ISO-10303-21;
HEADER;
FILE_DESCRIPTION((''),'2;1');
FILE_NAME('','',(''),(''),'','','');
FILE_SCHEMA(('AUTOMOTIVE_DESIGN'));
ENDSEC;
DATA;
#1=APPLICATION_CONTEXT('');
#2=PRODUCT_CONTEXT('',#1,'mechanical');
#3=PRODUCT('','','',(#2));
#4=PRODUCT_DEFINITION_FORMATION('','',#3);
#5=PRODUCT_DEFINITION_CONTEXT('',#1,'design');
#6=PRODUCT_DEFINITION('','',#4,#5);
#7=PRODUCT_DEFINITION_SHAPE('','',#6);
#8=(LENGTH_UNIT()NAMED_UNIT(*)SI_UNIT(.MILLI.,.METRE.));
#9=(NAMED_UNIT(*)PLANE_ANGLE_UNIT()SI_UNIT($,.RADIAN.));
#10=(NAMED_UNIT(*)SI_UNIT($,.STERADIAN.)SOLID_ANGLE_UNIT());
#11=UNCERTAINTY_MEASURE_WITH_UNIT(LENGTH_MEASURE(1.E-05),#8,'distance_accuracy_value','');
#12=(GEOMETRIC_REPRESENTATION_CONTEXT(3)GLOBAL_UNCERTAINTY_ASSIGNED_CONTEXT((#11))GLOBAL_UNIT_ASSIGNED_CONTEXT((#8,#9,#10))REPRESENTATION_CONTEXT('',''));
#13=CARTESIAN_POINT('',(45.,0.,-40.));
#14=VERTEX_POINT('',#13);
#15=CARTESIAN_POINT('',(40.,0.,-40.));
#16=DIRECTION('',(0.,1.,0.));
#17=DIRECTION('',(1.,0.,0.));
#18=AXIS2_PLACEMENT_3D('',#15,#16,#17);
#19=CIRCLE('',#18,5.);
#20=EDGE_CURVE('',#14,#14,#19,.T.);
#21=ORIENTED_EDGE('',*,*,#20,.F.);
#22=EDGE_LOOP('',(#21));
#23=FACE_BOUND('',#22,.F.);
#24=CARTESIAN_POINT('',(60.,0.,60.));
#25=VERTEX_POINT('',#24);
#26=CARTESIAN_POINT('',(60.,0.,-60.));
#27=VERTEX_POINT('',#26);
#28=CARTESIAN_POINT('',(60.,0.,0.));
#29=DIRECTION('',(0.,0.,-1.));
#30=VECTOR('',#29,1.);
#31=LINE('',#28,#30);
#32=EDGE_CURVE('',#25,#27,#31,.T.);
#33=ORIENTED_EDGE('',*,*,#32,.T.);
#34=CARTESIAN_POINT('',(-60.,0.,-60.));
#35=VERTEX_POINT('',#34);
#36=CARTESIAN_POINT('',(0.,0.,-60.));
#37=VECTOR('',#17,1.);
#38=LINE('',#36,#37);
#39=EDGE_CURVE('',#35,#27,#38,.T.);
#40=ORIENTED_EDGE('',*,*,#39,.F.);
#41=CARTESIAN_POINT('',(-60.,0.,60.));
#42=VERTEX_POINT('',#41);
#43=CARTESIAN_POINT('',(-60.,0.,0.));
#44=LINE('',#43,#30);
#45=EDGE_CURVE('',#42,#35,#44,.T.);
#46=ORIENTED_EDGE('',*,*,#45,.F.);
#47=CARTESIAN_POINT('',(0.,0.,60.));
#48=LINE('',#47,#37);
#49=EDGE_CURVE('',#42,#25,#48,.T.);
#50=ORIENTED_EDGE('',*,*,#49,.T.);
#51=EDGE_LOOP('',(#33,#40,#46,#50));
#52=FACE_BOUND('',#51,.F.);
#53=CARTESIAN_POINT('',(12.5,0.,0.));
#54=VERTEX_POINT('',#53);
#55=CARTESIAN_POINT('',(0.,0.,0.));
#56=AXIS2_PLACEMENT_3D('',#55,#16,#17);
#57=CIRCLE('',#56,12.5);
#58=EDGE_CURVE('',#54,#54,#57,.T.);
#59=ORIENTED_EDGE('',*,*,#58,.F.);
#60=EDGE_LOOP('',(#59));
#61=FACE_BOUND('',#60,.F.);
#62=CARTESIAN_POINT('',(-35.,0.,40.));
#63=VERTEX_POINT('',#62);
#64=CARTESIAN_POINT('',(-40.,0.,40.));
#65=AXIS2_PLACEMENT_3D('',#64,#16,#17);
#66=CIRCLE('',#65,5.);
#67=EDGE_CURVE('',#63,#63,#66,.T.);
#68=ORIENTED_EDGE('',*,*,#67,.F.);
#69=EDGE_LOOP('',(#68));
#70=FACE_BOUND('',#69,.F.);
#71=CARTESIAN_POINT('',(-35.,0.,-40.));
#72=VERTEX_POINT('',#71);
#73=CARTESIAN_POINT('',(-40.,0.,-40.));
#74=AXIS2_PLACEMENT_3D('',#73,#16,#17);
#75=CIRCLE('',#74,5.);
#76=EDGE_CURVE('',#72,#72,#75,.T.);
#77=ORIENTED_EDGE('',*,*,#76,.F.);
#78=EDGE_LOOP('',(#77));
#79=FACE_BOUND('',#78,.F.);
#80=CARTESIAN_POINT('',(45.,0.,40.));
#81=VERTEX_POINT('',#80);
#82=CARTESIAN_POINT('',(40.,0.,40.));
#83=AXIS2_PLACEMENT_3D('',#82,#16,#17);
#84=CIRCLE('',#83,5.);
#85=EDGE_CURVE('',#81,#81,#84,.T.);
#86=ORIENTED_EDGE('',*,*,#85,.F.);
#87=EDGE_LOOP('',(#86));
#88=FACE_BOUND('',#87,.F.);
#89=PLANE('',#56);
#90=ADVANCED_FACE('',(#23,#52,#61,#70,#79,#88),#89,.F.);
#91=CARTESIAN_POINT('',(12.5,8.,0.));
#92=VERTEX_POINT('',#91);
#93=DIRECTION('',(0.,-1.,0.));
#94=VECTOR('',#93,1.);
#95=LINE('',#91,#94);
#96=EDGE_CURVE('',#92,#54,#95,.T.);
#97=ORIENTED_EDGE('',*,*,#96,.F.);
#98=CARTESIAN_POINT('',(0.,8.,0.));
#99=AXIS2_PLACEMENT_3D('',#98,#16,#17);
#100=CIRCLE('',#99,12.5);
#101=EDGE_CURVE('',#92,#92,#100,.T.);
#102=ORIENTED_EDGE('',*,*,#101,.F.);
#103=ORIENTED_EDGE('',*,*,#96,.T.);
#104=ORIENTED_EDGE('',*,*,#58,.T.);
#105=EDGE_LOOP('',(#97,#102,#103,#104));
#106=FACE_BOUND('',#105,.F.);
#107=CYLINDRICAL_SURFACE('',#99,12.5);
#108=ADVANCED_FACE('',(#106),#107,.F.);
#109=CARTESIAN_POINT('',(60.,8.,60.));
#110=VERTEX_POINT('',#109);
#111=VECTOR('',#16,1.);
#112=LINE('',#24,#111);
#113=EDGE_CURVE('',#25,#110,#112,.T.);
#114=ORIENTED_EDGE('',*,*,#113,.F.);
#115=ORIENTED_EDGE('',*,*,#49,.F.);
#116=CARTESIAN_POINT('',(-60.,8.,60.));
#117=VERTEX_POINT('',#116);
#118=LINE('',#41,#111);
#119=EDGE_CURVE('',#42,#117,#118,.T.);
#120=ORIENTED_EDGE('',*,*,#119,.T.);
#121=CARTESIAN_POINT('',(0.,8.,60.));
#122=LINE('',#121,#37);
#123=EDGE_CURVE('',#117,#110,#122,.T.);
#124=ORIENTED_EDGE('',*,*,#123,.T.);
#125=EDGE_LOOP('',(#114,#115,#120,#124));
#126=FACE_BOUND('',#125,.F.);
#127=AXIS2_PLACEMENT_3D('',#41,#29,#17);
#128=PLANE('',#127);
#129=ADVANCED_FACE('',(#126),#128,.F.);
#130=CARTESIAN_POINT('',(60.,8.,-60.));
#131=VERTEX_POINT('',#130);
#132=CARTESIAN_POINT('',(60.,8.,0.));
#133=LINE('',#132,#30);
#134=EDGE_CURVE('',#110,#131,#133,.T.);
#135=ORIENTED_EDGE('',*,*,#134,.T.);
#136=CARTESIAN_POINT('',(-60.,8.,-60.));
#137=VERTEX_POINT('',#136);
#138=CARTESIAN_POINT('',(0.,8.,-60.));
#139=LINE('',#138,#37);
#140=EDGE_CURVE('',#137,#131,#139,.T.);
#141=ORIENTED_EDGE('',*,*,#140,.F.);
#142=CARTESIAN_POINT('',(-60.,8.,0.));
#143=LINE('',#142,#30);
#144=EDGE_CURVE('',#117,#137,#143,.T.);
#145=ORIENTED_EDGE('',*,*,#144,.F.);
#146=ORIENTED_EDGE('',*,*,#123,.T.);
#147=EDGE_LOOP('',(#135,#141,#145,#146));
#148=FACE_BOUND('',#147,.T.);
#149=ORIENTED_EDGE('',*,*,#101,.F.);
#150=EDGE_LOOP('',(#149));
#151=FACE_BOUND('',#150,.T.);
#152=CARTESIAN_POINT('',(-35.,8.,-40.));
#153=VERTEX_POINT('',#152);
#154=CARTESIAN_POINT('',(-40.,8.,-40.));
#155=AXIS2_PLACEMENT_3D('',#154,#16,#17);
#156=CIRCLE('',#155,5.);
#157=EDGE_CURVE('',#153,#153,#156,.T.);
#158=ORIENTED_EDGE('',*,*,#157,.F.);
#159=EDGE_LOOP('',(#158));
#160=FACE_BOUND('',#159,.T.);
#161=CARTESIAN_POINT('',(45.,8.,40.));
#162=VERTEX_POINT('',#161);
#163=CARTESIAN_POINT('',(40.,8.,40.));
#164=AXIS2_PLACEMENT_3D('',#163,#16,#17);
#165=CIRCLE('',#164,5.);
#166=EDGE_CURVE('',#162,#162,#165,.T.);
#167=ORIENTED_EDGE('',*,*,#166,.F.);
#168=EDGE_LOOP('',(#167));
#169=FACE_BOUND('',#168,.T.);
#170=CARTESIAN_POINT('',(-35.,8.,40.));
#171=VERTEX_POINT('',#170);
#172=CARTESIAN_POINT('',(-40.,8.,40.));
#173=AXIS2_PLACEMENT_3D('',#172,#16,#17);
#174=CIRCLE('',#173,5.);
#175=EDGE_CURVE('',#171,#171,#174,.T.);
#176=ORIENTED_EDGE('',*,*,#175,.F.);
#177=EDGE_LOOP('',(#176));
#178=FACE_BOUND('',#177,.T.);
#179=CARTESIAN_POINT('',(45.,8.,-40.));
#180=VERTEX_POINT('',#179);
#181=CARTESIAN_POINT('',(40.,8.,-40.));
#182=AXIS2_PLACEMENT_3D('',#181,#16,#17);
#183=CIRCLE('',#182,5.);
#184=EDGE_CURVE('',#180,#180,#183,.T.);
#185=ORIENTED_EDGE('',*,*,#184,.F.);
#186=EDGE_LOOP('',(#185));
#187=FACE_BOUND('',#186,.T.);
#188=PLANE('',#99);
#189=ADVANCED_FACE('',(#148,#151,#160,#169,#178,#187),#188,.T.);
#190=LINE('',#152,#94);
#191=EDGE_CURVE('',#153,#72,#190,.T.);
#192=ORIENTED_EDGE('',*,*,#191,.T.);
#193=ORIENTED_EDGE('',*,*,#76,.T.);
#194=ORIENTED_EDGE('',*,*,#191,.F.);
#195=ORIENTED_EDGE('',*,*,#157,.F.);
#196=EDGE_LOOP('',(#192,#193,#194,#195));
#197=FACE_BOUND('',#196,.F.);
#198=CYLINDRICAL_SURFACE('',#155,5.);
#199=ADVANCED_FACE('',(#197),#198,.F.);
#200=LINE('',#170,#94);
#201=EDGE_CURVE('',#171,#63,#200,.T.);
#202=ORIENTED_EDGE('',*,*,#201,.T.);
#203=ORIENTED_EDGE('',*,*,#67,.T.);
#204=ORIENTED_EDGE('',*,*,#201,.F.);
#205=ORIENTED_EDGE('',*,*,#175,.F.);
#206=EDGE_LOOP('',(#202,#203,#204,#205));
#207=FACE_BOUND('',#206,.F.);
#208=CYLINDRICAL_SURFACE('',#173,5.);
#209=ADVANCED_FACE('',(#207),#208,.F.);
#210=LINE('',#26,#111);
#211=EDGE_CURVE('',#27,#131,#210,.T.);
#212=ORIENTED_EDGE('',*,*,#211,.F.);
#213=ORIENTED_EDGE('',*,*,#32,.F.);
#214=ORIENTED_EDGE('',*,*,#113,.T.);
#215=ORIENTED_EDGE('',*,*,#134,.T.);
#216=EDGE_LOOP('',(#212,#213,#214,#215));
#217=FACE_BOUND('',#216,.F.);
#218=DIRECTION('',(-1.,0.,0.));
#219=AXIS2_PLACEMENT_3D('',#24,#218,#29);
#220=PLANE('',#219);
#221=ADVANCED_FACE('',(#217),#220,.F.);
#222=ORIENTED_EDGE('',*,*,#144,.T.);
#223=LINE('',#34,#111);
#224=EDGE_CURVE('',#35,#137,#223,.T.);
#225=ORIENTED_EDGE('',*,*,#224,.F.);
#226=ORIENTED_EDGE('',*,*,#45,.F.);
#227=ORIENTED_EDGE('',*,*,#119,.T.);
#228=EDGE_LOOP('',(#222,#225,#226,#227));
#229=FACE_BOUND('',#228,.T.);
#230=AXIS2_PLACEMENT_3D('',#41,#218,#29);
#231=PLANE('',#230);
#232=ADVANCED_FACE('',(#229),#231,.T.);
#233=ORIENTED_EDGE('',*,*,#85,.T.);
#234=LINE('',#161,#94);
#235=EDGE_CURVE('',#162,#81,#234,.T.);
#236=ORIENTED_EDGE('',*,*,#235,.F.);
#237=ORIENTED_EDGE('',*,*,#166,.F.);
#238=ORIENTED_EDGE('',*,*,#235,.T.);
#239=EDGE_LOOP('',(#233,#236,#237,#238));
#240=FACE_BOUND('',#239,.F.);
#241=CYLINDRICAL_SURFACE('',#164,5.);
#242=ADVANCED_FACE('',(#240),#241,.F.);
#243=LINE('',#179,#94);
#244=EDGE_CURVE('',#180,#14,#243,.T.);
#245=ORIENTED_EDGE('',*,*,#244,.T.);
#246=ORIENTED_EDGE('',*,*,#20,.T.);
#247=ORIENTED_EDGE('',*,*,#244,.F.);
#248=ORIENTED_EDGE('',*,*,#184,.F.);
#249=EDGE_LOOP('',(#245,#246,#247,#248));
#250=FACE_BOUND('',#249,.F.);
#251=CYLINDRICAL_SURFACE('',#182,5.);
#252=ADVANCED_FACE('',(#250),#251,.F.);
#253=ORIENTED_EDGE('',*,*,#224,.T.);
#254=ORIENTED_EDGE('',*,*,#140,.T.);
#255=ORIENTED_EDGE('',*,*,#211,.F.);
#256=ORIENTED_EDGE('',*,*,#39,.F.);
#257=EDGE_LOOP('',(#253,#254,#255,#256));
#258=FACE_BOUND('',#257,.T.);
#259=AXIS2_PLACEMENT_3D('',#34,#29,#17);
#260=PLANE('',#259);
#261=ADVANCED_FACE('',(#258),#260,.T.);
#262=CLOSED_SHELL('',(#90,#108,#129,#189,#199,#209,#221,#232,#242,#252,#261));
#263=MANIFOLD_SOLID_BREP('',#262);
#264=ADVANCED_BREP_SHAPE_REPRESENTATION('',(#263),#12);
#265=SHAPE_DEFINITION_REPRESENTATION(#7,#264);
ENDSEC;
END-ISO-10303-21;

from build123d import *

# Parameters (mm, degrees)
SKETCH3_W            = 120
SKETCH3_H            = 120
BOSS_EXTRUDE2_DEPTH  = 8
SKETCH5_R            = 12.5
CUT_EXTRUDE1_DEPTH   = 9
SKETCH6_R            = 5
CUT_EXTRUDE2_DEPTH   = 9
LPATTERN1_COUNT      = 2
LPATTERN1_PITCH      = 80
LPATTERN1_COUNT_DIR2 = 2
LPATTERN1_PITCH_DIR2 = 80


with BuildPart() as part:
    # Sketch3 → Boss-Extrude2 (new body)
    with BuildSketch(Plane(origin=(0, 0, 0), x_dir=(1, 0, 0), z_dir=(0, 1, 0))):
        Rectangle(SKETCH3_W, SKETCH3_H)
    extrude(amount=BOSS_EXTRUDE2_DEPTH)

    # Sketch5 → Cut-Extrude1 (cut, through all)
    with BuildSketch(Plane(origin=(0, 8, 0), x_dir=(1, 0, 0), z_dir=(0, 1, 0))):
        Circle(SKETCH5_R)
    extrude(amount=-CUT_EXTRUDE1_DEPTH, mode=Mode.SUBTRACT)

    # Sketch6 → Cut-Extrude2 (cut, through all)
    with BuildSketch(Plane(origin=(0, 8, 0), x_dir=(1, 0, 0), z_dir=(0, 1, 0))):
        with Locations((-40, 40)):
            Circle(SKETCH6_R)
    cut_extrude2 = extrude(amount=-CUT_EXTRUDE2_DEPTH, mode=Mode.SUBTRACT)

    # LPattern1: Cut-Extrude2 2 × 2
    with Locations(*[(j * LPATTERN1_PITCH_DIR2, 0, i * LPATTERN1_PITCH) for i in range(LPATTERN1_COUNT) for j in range(LPATTERN1_COUNT_DIR2) if (i, j) != (0, 0)]):
        add(cut_extrude2, mode=Mode.SUBTRACT)


solid = part.part
